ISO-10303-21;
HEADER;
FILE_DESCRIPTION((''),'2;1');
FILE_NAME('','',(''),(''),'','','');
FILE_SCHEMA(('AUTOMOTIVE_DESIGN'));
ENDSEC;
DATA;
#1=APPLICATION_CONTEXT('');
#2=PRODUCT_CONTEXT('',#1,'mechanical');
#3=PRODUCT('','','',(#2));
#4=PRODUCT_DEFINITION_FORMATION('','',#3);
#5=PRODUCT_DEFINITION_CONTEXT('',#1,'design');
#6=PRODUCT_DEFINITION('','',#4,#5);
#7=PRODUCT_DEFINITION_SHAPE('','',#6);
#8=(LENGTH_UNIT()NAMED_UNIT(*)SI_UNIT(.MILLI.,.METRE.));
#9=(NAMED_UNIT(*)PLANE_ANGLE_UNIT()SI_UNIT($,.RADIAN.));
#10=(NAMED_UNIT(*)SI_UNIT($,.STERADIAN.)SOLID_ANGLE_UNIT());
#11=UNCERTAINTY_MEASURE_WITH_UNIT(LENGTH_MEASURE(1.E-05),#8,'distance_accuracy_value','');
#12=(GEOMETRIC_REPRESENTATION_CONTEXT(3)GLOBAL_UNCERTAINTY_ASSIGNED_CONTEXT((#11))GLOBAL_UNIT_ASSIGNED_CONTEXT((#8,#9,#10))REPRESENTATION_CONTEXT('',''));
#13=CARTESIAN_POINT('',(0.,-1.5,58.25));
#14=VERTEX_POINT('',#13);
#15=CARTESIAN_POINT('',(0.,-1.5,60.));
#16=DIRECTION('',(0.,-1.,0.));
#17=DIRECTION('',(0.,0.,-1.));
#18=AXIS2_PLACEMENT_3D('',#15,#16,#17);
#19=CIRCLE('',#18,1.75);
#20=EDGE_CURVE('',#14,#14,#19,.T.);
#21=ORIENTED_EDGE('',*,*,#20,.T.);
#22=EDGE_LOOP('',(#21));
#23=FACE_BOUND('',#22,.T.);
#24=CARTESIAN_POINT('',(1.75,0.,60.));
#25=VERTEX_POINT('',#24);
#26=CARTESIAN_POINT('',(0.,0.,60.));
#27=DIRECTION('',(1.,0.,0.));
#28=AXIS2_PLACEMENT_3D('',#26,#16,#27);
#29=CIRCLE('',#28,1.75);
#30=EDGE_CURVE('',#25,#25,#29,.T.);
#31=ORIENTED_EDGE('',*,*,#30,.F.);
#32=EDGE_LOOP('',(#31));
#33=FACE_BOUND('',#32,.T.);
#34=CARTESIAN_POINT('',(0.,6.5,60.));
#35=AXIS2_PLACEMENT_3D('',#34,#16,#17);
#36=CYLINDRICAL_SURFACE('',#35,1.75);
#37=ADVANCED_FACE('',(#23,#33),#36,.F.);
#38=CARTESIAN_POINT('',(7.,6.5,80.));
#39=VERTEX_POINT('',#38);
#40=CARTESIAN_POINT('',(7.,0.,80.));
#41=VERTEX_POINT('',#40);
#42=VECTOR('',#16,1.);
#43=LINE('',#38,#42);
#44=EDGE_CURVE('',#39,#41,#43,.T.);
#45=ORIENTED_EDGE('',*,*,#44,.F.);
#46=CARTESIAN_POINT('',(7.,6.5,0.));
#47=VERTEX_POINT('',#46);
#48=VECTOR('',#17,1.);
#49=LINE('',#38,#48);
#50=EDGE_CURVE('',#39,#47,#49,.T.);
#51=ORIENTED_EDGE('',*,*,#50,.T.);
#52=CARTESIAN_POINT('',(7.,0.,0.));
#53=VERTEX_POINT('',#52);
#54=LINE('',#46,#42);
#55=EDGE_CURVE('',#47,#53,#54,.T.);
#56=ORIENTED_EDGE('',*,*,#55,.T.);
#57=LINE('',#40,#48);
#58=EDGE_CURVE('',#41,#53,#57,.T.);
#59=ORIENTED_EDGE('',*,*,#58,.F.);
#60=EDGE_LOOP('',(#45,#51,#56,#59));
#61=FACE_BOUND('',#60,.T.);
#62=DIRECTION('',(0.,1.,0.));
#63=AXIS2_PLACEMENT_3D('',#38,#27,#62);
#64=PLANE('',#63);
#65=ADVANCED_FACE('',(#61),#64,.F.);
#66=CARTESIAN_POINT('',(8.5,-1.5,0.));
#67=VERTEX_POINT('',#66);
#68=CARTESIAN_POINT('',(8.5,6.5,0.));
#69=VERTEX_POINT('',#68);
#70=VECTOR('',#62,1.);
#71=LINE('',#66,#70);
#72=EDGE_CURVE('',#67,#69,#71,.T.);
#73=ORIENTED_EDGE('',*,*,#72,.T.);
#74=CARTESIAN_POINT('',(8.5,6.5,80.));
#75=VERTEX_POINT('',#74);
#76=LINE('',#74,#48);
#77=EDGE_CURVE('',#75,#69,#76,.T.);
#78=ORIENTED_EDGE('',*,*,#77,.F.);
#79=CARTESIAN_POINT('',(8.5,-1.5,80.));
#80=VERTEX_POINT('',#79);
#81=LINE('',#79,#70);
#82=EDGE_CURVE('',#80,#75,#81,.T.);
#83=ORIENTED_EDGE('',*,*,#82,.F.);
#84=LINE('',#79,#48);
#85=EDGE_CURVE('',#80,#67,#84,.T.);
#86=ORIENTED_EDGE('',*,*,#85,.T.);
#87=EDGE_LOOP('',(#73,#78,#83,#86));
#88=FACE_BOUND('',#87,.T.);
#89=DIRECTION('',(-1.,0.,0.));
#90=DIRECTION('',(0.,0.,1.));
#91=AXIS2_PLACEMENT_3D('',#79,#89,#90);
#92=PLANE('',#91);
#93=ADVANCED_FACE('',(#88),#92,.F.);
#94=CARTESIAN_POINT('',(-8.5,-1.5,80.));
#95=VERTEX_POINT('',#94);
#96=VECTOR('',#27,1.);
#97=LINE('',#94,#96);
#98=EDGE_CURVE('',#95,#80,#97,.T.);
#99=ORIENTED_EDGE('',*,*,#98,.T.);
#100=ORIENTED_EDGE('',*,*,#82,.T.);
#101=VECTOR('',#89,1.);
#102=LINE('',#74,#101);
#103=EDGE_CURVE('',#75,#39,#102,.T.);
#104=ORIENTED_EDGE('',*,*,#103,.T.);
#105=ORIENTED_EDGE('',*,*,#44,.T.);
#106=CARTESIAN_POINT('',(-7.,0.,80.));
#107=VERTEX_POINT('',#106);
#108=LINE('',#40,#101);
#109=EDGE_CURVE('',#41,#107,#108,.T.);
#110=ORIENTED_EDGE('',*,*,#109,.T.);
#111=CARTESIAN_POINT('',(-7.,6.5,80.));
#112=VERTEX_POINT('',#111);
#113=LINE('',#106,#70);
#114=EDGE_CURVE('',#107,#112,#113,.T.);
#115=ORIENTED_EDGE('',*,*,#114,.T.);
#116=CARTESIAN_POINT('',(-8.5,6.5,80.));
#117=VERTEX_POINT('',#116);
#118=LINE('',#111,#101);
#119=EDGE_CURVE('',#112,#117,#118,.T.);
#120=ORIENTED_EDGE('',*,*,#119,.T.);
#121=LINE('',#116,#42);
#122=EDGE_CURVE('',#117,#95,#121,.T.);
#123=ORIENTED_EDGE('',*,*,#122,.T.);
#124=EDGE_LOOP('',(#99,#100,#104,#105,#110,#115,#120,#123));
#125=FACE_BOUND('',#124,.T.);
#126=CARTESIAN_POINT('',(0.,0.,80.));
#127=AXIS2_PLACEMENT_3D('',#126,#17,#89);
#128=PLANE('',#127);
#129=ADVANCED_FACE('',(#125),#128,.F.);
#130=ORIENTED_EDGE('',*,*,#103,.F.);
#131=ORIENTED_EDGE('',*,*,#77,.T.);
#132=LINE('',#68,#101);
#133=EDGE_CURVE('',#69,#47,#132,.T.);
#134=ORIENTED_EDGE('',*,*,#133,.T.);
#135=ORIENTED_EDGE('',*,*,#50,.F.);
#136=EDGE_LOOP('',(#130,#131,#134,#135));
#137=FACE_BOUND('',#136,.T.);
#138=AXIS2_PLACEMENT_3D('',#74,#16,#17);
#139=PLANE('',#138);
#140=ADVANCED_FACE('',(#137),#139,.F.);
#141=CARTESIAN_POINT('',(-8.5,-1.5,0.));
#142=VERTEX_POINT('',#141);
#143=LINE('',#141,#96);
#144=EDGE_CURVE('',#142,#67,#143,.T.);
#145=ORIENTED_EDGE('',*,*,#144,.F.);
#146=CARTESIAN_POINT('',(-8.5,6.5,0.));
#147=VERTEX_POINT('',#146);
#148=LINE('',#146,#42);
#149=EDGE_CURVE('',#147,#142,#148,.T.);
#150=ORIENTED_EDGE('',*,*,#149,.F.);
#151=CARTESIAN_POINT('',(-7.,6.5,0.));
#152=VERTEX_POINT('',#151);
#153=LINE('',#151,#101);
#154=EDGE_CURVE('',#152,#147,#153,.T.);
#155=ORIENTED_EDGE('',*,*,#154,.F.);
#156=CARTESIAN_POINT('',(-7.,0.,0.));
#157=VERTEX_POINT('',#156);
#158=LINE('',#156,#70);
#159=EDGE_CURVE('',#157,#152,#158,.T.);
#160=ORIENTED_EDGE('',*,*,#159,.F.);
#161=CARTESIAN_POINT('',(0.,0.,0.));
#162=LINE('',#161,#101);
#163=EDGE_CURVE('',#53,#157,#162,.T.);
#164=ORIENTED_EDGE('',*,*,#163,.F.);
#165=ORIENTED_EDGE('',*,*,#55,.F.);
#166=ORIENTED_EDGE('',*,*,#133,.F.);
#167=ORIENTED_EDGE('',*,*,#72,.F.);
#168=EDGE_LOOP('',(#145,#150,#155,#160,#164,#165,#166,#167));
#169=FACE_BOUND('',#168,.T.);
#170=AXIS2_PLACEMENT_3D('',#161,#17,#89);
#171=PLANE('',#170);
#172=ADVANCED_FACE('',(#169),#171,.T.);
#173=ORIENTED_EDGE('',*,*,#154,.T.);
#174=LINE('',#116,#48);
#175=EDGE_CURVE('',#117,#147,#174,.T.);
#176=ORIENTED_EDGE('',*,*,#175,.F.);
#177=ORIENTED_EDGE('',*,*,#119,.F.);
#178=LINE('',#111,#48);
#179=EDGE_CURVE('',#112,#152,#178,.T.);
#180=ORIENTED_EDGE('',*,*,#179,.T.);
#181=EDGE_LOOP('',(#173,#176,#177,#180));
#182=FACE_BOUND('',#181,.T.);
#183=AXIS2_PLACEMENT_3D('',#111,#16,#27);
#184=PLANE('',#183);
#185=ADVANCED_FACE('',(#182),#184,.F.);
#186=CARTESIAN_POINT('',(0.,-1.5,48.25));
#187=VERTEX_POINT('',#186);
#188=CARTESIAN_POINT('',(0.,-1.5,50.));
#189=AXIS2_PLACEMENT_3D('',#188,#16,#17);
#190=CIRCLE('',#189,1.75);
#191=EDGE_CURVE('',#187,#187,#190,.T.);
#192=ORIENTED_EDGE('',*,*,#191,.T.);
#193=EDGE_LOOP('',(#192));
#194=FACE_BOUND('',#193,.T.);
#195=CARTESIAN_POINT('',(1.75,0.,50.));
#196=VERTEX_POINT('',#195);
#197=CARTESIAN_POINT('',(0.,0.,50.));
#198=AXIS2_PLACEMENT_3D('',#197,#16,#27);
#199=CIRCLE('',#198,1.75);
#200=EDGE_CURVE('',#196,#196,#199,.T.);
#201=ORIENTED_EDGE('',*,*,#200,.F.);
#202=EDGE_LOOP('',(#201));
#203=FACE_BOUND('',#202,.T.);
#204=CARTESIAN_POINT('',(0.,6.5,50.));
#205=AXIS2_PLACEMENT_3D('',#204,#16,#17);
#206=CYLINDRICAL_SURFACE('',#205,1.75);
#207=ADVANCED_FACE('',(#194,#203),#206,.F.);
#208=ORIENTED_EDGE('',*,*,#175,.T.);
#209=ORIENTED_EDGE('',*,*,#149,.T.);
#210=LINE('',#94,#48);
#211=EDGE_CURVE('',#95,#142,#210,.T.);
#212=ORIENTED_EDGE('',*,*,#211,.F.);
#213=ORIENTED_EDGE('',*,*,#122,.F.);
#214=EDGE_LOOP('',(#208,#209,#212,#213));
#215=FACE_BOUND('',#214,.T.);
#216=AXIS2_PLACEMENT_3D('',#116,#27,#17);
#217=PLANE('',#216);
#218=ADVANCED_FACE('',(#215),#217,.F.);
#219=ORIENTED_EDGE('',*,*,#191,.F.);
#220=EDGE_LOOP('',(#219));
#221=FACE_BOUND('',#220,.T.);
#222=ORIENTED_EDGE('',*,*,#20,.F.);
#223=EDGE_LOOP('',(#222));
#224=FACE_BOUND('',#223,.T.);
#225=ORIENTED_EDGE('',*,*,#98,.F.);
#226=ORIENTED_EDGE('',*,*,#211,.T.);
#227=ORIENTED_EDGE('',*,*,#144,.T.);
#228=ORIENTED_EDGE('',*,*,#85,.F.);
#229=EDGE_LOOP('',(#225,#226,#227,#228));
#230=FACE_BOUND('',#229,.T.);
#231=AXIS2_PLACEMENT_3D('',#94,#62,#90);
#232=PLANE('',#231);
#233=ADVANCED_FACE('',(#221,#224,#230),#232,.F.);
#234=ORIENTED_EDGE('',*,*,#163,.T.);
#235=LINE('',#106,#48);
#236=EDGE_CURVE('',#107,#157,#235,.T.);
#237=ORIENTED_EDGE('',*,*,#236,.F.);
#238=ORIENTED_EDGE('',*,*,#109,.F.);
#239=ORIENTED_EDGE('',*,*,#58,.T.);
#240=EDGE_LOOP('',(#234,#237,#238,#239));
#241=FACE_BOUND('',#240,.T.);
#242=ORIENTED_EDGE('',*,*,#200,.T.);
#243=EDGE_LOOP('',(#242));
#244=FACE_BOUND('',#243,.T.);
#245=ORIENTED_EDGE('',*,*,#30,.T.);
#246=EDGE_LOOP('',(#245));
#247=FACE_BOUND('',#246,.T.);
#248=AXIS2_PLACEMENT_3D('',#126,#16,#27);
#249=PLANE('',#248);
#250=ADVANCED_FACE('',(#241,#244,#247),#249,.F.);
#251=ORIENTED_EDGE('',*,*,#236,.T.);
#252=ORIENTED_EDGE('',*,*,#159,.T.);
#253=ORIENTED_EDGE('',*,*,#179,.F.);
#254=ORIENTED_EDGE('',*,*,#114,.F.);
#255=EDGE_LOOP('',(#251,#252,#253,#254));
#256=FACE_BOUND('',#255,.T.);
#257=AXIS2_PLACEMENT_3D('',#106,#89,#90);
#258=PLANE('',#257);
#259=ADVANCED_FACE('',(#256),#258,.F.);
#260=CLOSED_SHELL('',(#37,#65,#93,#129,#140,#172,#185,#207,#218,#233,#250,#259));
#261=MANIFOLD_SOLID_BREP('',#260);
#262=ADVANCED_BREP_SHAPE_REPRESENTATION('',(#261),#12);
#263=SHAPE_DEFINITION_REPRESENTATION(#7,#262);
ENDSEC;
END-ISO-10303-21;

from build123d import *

# Parameters (mm, degrees)
EXTRUDE_1_DEPTH     = 80
SKETCH_2_R          = 1.75
CUT_EXTRUDE_1_DEPTH = 81.847077869


with BuildPart() as part:
    # ｽｹｯﾁ1 → ﾎﾞｽ - 押し出し1 (new body)
    with BuildSketch(Plane.XY):
        Polygon((0, 0), (-7, 0), (-7, 6.5), (-8.5, 6.5), (-8.5, -1.5), (8.5, -1.5), (8.5, 6.5), (7, 6.5), (7, 0), align=None)
    extrude(amount=EXTRUDE_1_DEPTH)

    # ｽｹｯﾁ2 → ｶｯﾄ - 押し出し1 (cut, through all)
    with BuildSketch(Plane.XZ.offset(1.5)):
        with Locations(Location((0, 50, 0), (0, 0, 270))):
            Circle(SKETCH_2_R)
        with Locations(Location((0, 60, 0), (0, 0, 270))):
            Circle(SKETCH_2_R)
    extrude(amount=-CUT_EXTRUDE_1_DEPTH, mode=Mode.SUBTRACT)


solid = part.part
